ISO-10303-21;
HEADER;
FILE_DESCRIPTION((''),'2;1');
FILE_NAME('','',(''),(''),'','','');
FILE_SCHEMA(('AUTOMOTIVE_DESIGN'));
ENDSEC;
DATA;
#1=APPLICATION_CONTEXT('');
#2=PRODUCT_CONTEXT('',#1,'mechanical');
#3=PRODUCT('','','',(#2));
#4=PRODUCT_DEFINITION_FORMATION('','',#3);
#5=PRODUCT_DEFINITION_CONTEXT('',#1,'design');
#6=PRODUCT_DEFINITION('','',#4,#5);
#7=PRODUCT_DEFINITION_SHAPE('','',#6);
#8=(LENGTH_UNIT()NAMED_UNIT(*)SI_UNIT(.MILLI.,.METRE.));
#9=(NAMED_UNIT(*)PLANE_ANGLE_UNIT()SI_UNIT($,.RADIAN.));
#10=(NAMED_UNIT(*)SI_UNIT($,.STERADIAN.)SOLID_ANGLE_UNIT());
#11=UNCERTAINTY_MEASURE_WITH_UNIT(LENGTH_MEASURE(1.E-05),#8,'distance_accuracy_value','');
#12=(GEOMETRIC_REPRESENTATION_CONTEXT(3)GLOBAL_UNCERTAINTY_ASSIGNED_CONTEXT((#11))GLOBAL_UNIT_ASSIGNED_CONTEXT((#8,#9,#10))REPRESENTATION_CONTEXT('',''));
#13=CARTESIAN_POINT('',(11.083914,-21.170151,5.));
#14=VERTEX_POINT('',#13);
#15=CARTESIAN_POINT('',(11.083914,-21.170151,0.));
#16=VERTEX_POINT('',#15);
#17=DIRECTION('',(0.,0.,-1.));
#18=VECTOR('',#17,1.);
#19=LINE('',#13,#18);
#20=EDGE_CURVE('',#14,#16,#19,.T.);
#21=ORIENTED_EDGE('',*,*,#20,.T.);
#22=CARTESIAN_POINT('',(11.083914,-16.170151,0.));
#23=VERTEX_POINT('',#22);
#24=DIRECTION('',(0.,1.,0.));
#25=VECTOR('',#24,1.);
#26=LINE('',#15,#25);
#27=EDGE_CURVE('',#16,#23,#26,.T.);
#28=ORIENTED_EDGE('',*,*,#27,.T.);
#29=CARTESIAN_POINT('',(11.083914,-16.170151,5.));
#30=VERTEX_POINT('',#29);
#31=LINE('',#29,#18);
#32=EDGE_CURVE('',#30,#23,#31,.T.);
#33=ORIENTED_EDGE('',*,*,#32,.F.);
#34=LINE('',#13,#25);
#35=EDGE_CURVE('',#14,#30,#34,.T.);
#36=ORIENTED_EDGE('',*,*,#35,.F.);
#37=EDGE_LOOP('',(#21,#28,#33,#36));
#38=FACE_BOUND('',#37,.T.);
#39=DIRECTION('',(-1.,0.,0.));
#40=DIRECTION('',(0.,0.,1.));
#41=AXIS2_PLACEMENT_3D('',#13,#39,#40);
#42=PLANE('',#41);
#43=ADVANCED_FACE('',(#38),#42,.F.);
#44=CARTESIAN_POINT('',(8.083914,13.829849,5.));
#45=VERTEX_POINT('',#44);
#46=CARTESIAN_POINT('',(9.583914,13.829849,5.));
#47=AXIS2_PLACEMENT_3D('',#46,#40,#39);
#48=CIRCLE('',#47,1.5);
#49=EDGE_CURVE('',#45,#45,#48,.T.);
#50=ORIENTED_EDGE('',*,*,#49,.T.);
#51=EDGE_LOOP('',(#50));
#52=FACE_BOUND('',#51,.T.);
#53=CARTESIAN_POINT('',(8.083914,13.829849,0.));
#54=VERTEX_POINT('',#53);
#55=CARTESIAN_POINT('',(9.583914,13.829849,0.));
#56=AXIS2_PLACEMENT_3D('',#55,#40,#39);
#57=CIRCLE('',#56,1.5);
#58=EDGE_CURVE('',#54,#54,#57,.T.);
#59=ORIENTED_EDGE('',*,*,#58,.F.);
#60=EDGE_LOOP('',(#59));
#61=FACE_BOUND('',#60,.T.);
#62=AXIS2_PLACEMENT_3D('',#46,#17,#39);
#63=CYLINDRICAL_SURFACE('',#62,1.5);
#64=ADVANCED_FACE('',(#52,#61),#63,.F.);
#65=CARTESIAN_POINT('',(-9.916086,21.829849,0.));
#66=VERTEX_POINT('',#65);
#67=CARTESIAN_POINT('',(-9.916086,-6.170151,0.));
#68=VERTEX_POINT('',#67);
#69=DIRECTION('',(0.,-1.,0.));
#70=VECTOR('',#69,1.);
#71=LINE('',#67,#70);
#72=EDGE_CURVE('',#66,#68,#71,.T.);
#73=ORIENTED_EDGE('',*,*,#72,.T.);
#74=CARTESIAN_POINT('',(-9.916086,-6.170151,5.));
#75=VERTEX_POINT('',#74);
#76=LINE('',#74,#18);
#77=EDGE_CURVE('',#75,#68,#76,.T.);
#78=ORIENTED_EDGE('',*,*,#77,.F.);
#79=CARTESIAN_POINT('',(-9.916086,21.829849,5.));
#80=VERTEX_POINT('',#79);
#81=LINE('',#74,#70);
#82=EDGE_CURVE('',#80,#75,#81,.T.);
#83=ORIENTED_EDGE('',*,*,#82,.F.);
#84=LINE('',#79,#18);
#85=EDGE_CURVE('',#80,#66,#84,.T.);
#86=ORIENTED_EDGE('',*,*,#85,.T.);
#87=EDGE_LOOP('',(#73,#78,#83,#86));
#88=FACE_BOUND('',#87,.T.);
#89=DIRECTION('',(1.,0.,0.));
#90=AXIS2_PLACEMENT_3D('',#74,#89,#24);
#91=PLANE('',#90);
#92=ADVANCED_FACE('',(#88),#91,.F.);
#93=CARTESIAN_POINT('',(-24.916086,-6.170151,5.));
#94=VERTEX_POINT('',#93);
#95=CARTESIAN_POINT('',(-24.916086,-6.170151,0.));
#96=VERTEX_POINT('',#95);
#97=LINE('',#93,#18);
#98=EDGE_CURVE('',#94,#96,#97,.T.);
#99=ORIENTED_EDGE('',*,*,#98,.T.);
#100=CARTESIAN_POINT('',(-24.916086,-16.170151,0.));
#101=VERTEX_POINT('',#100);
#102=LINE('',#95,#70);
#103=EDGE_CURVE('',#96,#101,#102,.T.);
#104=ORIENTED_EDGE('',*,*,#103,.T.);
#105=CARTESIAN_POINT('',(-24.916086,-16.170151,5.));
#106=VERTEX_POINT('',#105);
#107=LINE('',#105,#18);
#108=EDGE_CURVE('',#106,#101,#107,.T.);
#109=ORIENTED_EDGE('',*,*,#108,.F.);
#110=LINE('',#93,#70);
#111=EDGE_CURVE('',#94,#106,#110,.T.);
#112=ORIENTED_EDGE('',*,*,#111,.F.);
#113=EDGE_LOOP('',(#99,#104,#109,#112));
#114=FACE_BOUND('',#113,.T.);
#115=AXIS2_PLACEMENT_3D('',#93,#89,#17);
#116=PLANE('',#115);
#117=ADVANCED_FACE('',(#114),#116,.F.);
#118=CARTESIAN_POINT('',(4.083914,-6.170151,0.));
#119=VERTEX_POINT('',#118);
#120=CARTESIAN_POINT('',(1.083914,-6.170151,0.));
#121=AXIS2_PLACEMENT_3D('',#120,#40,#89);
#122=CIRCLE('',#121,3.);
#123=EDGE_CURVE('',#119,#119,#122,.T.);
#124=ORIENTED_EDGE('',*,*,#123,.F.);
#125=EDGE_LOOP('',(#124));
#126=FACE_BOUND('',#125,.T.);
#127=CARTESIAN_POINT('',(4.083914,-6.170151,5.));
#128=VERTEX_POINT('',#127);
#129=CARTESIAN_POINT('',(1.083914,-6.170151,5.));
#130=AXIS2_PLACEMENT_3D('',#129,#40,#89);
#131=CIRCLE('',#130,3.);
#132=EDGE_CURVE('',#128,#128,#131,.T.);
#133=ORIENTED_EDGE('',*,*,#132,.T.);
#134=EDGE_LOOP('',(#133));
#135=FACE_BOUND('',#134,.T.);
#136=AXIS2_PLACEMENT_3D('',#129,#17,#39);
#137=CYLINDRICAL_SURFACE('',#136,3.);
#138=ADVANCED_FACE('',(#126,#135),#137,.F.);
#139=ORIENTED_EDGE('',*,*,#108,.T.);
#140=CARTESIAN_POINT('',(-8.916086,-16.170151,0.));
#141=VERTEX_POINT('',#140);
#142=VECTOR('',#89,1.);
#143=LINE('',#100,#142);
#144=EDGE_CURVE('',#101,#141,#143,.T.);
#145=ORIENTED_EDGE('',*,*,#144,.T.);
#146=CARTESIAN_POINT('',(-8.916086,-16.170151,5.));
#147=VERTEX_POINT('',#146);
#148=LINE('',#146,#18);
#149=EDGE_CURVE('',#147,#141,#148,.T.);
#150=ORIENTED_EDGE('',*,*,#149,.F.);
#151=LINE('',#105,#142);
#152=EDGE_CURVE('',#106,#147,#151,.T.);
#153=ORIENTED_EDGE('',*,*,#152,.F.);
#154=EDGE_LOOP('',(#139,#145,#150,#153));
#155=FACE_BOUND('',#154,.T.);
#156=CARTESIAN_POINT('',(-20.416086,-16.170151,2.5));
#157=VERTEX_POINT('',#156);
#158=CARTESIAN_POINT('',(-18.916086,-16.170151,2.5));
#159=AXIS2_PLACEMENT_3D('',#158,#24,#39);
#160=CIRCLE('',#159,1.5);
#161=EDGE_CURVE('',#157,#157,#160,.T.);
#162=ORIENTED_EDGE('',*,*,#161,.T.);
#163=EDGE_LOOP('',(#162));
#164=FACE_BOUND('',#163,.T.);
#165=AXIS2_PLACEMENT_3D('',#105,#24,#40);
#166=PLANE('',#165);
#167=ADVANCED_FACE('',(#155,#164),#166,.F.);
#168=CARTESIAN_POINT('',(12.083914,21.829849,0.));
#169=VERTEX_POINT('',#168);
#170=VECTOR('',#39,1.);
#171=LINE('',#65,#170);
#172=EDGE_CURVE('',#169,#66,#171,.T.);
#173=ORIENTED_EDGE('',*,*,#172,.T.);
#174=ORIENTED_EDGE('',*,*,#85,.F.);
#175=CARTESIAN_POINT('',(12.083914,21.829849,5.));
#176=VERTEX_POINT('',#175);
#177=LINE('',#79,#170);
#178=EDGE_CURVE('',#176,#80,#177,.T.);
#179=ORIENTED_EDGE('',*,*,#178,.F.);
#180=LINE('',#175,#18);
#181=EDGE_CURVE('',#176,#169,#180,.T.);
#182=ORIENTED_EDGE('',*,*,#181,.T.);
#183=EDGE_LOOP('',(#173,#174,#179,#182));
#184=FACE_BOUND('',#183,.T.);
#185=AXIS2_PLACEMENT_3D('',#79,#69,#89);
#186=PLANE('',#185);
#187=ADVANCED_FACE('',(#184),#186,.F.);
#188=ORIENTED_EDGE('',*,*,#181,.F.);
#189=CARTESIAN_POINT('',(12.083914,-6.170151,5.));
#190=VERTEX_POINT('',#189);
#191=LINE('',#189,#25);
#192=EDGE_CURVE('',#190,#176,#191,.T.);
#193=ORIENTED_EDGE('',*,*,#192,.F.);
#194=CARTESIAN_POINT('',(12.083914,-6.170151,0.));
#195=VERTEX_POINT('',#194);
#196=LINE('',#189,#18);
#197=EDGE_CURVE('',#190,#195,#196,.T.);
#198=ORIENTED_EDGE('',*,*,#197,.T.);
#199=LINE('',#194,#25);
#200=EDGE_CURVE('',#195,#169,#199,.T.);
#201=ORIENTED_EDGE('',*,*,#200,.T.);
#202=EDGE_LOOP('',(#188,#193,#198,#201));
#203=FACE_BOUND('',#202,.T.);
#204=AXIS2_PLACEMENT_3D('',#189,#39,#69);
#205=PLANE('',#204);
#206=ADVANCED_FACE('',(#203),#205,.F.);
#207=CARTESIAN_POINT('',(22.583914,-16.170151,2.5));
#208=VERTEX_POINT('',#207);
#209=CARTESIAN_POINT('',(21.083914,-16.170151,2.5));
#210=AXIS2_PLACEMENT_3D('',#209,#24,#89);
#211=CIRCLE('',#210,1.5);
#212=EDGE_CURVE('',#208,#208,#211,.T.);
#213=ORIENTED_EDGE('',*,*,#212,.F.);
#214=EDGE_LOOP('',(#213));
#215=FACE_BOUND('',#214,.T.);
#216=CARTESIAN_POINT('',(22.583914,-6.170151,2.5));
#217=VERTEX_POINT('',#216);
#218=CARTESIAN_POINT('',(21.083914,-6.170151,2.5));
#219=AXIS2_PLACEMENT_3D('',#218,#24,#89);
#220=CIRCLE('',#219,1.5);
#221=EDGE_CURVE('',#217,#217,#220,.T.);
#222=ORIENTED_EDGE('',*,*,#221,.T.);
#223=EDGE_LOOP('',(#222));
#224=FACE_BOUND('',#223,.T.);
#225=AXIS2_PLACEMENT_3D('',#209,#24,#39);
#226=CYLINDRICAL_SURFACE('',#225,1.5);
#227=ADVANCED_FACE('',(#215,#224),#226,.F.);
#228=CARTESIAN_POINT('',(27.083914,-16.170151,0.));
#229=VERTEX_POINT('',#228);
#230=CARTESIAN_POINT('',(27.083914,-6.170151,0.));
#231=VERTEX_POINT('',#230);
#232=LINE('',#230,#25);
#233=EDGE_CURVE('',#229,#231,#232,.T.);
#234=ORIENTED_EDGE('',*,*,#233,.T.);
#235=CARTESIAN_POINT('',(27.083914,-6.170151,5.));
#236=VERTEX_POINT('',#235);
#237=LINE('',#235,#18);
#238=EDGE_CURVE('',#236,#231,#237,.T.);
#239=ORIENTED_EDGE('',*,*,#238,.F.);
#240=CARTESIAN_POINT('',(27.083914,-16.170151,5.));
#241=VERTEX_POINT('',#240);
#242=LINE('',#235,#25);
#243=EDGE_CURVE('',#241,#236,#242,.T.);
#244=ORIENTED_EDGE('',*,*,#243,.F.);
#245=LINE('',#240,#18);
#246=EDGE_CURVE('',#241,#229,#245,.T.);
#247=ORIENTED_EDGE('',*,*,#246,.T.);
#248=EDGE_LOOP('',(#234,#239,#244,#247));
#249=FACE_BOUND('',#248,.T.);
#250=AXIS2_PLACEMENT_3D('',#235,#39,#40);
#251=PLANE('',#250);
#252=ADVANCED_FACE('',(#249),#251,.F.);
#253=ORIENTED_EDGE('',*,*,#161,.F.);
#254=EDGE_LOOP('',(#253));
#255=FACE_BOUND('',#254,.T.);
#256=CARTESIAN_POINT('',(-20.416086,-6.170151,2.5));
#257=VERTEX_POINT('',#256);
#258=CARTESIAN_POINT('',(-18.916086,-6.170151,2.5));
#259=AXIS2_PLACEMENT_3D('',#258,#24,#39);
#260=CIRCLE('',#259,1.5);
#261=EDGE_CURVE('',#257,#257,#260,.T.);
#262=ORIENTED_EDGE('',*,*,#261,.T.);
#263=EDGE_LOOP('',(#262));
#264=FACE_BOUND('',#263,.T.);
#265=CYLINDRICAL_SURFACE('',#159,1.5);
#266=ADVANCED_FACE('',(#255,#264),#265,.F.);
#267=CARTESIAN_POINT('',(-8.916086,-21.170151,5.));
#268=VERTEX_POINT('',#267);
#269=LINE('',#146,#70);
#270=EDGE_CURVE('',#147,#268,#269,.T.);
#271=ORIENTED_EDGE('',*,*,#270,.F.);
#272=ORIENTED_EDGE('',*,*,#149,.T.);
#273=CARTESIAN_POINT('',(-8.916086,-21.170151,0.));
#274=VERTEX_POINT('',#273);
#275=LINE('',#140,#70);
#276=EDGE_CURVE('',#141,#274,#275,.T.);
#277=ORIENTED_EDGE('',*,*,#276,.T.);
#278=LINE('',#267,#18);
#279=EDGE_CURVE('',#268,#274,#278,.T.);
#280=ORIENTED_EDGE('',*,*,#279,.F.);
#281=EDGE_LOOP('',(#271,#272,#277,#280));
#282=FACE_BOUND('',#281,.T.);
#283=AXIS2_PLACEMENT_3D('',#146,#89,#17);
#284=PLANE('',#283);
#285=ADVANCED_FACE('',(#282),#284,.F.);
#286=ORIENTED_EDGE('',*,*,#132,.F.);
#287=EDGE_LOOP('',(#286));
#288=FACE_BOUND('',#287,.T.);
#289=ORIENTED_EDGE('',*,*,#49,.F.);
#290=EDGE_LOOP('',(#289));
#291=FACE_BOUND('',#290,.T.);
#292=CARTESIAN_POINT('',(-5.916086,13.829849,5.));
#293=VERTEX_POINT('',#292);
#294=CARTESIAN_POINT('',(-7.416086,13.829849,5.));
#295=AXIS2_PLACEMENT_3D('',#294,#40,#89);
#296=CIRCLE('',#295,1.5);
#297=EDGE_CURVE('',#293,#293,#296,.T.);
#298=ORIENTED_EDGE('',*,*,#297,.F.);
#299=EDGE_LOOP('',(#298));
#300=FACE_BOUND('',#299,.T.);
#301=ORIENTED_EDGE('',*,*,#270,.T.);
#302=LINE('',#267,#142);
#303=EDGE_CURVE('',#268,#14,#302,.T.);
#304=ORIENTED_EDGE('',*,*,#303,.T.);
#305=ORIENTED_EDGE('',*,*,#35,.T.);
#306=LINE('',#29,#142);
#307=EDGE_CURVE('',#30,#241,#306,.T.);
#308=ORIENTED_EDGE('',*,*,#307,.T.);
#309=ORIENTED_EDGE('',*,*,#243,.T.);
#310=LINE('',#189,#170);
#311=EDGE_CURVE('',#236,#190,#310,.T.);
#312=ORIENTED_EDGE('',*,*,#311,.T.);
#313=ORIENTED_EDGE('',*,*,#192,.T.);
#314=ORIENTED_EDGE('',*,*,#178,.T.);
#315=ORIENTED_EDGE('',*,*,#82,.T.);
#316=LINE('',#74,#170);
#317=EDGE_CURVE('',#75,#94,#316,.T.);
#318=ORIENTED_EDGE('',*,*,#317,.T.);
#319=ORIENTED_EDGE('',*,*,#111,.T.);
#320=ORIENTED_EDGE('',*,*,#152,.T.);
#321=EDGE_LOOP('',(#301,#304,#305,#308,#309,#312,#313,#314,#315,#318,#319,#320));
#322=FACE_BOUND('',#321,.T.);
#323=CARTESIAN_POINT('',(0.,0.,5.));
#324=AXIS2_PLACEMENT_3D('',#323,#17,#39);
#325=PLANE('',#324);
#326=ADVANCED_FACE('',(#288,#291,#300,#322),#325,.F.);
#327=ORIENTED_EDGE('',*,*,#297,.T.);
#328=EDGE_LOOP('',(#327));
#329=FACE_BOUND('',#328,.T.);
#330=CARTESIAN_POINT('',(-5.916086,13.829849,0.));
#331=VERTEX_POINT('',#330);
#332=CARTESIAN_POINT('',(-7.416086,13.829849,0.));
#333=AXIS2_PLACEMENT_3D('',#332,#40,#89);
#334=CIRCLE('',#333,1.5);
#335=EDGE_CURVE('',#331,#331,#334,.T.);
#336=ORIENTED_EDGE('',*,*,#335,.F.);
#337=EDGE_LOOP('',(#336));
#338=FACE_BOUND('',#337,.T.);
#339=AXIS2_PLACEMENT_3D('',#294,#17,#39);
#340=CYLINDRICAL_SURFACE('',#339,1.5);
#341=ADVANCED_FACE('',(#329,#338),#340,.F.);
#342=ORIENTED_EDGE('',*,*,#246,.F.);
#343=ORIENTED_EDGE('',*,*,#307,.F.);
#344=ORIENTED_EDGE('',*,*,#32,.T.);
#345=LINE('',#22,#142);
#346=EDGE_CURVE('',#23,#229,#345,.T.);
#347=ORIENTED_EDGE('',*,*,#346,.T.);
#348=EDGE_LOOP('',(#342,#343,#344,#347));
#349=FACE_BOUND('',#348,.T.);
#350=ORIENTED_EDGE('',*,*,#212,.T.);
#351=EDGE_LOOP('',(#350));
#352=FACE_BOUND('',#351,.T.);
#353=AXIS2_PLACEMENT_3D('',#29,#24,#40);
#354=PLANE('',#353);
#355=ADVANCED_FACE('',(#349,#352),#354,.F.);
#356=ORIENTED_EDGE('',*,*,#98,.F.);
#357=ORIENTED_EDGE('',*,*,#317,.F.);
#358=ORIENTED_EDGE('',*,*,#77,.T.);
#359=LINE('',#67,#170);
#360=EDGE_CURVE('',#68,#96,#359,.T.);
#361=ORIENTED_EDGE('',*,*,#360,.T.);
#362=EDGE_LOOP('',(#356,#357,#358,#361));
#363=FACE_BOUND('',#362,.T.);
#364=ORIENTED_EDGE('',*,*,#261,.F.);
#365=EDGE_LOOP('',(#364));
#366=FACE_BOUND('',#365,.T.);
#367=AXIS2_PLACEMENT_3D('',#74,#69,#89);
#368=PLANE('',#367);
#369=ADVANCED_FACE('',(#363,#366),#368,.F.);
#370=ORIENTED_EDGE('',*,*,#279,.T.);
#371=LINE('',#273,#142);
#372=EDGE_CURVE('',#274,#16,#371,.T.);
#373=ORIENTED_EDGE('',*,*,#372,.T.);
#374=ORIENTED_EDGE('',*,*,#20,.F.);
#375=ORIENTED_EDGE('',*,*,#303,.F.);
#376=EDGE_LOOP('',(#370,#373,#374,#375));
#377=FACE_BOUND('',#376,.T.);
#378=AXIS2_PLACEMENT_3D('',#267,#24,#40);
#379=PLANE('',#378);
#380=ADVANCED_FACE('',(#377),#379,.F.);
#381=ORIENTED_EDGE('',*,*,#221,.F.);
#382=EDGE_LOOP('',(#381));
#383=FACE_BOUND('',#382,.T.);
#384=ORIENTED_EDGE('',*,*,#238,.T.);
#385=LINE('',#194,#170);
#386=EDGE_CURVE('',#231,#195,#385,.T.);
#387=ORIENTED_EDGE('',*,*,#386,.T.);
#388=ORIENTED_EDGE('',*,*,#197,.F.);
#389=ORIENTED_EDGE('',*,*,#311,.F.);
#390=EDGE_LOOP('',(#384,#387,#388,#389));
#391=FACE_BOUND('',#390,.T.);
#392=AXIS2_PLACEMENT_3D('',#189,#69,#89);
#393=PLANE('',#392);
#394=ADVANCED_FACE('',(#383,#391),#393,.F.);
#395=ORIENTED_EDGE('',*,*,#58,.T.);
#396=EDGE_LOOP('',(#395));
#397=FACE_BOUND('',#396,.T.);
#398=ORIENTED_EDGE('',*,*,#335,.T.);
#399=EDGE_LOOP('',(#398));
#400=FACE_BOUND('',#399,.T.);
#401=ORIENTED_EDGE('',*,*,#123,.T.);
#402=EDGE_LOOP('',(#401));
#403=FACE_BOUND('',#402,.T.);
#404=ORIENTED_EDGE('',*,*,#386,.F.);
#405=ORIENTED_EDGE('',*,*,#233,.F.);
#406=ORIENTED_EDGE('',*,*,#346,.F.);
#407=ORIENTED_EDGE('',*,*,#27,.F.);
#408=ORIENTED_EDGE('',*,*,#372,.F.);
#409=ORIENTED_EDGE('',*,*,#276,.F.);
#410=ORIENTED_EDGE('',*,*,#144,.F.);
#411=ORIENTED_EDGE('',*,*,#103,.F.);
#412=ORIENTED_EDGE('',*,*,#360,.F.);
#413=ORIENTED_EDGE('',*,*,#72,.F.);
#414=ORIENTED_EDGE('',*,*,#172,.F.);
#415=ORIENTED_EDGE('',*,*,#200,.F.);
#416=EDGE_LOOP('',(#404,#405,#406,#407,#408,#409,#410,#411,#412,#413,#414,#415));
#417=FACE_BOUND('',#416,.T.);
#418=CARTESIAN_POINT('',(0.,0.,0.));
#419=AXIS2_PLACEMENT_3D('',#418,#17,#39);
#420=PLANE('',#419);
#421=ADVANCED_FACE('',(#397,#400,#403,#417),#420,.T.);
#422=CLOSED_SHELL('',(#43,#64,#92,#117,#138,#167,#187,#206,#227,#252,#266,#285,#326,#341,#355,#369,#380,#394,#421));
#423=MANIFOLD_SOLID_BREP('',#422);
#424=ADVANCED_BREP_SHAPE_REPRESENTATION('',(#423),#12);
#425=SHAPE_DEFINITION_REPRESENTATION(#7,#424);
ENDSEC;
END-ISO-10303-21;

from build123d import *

# Parameters (mm, degrees)
SKETCH1_R           = 3
SKETCH1_R_2         = 1.5
BOSS_EXTRUDE1_DEPTH = 5
SKETCH2_R           = 1.5
CUT_EXTRUDE1_DEPTH  = 10
SKETCH2_3_R         = 1.5
CUT_EXTRUDE2_DEPTH  = 10


with BuildPart() as part:
    # Sketch1 → Boss-Extrude1 (new body)
    with BuildSketch(Plane.XY):
        Polygon((12.083913986, -6.170151075), (12.083913986, 21.829848925), (-9.916086014, 21.829848925), (-9.916086014, -6.170151075), (-24.916086014, -6.170151075), (-24.916086014, -16.170151075), (-8.916086014, -16.170151075), (-8.916086014, -21.170151075), (11.083913986, -21.170151075), (11.083913986, -16.170151075), (27.083913986, -16.170151075), (27.083913986, -6.170151075), align=None)
        with Locations((1.083913986, -6.170151075)):
            Circle(SKETCH1_R, mode=Mode.SUBTRACT)
        with Locations((-7.416086014, 13.829848925)):
            Circle(SKETCH1_R_2, mode=Mode.SUBTRACT)
        with Locations((9.583913986, 13.829848925)):
            Circle(SKETCH1_R_2, mode=Mode.SUBTRACT)
    extrude(amount=BOSS_EXTRUDE1_DEPTH)

    # Sketch2 → Cut-Extrude1 (cut)
    with BuildSketch(Plane(origin=(0, -6.170151075, 0), x_dir=(1, 0, 0), z_dir=(0, 1, 0))):
        with Locations((-18.916086014, -2.5)):
            Circle(SKETCH2_R)
    extrude(amount=-CUT_EXTRUDE1_DEPTH, mode=Mode.SUBTRACT)

    # Sketch2<3> → Cut-Extrude2 (cut)
    with BuildSketch(Plane(origin=(0, -6.170151075, 0), x_dir=(1, 0, 0), z_dir=(0, 1, 0))):
        with Locations((-18.916086014, -2.5)):
            Circle(SKETCH2_3_R)
        with Locations((21.083913986, -2.5)):
            Circle(SKETCH2_3_R)
    extrude(amount=-CUT_EXTRUDE2_DEPTH, mode=Mode.SUBTRACT)


solid = part.part
